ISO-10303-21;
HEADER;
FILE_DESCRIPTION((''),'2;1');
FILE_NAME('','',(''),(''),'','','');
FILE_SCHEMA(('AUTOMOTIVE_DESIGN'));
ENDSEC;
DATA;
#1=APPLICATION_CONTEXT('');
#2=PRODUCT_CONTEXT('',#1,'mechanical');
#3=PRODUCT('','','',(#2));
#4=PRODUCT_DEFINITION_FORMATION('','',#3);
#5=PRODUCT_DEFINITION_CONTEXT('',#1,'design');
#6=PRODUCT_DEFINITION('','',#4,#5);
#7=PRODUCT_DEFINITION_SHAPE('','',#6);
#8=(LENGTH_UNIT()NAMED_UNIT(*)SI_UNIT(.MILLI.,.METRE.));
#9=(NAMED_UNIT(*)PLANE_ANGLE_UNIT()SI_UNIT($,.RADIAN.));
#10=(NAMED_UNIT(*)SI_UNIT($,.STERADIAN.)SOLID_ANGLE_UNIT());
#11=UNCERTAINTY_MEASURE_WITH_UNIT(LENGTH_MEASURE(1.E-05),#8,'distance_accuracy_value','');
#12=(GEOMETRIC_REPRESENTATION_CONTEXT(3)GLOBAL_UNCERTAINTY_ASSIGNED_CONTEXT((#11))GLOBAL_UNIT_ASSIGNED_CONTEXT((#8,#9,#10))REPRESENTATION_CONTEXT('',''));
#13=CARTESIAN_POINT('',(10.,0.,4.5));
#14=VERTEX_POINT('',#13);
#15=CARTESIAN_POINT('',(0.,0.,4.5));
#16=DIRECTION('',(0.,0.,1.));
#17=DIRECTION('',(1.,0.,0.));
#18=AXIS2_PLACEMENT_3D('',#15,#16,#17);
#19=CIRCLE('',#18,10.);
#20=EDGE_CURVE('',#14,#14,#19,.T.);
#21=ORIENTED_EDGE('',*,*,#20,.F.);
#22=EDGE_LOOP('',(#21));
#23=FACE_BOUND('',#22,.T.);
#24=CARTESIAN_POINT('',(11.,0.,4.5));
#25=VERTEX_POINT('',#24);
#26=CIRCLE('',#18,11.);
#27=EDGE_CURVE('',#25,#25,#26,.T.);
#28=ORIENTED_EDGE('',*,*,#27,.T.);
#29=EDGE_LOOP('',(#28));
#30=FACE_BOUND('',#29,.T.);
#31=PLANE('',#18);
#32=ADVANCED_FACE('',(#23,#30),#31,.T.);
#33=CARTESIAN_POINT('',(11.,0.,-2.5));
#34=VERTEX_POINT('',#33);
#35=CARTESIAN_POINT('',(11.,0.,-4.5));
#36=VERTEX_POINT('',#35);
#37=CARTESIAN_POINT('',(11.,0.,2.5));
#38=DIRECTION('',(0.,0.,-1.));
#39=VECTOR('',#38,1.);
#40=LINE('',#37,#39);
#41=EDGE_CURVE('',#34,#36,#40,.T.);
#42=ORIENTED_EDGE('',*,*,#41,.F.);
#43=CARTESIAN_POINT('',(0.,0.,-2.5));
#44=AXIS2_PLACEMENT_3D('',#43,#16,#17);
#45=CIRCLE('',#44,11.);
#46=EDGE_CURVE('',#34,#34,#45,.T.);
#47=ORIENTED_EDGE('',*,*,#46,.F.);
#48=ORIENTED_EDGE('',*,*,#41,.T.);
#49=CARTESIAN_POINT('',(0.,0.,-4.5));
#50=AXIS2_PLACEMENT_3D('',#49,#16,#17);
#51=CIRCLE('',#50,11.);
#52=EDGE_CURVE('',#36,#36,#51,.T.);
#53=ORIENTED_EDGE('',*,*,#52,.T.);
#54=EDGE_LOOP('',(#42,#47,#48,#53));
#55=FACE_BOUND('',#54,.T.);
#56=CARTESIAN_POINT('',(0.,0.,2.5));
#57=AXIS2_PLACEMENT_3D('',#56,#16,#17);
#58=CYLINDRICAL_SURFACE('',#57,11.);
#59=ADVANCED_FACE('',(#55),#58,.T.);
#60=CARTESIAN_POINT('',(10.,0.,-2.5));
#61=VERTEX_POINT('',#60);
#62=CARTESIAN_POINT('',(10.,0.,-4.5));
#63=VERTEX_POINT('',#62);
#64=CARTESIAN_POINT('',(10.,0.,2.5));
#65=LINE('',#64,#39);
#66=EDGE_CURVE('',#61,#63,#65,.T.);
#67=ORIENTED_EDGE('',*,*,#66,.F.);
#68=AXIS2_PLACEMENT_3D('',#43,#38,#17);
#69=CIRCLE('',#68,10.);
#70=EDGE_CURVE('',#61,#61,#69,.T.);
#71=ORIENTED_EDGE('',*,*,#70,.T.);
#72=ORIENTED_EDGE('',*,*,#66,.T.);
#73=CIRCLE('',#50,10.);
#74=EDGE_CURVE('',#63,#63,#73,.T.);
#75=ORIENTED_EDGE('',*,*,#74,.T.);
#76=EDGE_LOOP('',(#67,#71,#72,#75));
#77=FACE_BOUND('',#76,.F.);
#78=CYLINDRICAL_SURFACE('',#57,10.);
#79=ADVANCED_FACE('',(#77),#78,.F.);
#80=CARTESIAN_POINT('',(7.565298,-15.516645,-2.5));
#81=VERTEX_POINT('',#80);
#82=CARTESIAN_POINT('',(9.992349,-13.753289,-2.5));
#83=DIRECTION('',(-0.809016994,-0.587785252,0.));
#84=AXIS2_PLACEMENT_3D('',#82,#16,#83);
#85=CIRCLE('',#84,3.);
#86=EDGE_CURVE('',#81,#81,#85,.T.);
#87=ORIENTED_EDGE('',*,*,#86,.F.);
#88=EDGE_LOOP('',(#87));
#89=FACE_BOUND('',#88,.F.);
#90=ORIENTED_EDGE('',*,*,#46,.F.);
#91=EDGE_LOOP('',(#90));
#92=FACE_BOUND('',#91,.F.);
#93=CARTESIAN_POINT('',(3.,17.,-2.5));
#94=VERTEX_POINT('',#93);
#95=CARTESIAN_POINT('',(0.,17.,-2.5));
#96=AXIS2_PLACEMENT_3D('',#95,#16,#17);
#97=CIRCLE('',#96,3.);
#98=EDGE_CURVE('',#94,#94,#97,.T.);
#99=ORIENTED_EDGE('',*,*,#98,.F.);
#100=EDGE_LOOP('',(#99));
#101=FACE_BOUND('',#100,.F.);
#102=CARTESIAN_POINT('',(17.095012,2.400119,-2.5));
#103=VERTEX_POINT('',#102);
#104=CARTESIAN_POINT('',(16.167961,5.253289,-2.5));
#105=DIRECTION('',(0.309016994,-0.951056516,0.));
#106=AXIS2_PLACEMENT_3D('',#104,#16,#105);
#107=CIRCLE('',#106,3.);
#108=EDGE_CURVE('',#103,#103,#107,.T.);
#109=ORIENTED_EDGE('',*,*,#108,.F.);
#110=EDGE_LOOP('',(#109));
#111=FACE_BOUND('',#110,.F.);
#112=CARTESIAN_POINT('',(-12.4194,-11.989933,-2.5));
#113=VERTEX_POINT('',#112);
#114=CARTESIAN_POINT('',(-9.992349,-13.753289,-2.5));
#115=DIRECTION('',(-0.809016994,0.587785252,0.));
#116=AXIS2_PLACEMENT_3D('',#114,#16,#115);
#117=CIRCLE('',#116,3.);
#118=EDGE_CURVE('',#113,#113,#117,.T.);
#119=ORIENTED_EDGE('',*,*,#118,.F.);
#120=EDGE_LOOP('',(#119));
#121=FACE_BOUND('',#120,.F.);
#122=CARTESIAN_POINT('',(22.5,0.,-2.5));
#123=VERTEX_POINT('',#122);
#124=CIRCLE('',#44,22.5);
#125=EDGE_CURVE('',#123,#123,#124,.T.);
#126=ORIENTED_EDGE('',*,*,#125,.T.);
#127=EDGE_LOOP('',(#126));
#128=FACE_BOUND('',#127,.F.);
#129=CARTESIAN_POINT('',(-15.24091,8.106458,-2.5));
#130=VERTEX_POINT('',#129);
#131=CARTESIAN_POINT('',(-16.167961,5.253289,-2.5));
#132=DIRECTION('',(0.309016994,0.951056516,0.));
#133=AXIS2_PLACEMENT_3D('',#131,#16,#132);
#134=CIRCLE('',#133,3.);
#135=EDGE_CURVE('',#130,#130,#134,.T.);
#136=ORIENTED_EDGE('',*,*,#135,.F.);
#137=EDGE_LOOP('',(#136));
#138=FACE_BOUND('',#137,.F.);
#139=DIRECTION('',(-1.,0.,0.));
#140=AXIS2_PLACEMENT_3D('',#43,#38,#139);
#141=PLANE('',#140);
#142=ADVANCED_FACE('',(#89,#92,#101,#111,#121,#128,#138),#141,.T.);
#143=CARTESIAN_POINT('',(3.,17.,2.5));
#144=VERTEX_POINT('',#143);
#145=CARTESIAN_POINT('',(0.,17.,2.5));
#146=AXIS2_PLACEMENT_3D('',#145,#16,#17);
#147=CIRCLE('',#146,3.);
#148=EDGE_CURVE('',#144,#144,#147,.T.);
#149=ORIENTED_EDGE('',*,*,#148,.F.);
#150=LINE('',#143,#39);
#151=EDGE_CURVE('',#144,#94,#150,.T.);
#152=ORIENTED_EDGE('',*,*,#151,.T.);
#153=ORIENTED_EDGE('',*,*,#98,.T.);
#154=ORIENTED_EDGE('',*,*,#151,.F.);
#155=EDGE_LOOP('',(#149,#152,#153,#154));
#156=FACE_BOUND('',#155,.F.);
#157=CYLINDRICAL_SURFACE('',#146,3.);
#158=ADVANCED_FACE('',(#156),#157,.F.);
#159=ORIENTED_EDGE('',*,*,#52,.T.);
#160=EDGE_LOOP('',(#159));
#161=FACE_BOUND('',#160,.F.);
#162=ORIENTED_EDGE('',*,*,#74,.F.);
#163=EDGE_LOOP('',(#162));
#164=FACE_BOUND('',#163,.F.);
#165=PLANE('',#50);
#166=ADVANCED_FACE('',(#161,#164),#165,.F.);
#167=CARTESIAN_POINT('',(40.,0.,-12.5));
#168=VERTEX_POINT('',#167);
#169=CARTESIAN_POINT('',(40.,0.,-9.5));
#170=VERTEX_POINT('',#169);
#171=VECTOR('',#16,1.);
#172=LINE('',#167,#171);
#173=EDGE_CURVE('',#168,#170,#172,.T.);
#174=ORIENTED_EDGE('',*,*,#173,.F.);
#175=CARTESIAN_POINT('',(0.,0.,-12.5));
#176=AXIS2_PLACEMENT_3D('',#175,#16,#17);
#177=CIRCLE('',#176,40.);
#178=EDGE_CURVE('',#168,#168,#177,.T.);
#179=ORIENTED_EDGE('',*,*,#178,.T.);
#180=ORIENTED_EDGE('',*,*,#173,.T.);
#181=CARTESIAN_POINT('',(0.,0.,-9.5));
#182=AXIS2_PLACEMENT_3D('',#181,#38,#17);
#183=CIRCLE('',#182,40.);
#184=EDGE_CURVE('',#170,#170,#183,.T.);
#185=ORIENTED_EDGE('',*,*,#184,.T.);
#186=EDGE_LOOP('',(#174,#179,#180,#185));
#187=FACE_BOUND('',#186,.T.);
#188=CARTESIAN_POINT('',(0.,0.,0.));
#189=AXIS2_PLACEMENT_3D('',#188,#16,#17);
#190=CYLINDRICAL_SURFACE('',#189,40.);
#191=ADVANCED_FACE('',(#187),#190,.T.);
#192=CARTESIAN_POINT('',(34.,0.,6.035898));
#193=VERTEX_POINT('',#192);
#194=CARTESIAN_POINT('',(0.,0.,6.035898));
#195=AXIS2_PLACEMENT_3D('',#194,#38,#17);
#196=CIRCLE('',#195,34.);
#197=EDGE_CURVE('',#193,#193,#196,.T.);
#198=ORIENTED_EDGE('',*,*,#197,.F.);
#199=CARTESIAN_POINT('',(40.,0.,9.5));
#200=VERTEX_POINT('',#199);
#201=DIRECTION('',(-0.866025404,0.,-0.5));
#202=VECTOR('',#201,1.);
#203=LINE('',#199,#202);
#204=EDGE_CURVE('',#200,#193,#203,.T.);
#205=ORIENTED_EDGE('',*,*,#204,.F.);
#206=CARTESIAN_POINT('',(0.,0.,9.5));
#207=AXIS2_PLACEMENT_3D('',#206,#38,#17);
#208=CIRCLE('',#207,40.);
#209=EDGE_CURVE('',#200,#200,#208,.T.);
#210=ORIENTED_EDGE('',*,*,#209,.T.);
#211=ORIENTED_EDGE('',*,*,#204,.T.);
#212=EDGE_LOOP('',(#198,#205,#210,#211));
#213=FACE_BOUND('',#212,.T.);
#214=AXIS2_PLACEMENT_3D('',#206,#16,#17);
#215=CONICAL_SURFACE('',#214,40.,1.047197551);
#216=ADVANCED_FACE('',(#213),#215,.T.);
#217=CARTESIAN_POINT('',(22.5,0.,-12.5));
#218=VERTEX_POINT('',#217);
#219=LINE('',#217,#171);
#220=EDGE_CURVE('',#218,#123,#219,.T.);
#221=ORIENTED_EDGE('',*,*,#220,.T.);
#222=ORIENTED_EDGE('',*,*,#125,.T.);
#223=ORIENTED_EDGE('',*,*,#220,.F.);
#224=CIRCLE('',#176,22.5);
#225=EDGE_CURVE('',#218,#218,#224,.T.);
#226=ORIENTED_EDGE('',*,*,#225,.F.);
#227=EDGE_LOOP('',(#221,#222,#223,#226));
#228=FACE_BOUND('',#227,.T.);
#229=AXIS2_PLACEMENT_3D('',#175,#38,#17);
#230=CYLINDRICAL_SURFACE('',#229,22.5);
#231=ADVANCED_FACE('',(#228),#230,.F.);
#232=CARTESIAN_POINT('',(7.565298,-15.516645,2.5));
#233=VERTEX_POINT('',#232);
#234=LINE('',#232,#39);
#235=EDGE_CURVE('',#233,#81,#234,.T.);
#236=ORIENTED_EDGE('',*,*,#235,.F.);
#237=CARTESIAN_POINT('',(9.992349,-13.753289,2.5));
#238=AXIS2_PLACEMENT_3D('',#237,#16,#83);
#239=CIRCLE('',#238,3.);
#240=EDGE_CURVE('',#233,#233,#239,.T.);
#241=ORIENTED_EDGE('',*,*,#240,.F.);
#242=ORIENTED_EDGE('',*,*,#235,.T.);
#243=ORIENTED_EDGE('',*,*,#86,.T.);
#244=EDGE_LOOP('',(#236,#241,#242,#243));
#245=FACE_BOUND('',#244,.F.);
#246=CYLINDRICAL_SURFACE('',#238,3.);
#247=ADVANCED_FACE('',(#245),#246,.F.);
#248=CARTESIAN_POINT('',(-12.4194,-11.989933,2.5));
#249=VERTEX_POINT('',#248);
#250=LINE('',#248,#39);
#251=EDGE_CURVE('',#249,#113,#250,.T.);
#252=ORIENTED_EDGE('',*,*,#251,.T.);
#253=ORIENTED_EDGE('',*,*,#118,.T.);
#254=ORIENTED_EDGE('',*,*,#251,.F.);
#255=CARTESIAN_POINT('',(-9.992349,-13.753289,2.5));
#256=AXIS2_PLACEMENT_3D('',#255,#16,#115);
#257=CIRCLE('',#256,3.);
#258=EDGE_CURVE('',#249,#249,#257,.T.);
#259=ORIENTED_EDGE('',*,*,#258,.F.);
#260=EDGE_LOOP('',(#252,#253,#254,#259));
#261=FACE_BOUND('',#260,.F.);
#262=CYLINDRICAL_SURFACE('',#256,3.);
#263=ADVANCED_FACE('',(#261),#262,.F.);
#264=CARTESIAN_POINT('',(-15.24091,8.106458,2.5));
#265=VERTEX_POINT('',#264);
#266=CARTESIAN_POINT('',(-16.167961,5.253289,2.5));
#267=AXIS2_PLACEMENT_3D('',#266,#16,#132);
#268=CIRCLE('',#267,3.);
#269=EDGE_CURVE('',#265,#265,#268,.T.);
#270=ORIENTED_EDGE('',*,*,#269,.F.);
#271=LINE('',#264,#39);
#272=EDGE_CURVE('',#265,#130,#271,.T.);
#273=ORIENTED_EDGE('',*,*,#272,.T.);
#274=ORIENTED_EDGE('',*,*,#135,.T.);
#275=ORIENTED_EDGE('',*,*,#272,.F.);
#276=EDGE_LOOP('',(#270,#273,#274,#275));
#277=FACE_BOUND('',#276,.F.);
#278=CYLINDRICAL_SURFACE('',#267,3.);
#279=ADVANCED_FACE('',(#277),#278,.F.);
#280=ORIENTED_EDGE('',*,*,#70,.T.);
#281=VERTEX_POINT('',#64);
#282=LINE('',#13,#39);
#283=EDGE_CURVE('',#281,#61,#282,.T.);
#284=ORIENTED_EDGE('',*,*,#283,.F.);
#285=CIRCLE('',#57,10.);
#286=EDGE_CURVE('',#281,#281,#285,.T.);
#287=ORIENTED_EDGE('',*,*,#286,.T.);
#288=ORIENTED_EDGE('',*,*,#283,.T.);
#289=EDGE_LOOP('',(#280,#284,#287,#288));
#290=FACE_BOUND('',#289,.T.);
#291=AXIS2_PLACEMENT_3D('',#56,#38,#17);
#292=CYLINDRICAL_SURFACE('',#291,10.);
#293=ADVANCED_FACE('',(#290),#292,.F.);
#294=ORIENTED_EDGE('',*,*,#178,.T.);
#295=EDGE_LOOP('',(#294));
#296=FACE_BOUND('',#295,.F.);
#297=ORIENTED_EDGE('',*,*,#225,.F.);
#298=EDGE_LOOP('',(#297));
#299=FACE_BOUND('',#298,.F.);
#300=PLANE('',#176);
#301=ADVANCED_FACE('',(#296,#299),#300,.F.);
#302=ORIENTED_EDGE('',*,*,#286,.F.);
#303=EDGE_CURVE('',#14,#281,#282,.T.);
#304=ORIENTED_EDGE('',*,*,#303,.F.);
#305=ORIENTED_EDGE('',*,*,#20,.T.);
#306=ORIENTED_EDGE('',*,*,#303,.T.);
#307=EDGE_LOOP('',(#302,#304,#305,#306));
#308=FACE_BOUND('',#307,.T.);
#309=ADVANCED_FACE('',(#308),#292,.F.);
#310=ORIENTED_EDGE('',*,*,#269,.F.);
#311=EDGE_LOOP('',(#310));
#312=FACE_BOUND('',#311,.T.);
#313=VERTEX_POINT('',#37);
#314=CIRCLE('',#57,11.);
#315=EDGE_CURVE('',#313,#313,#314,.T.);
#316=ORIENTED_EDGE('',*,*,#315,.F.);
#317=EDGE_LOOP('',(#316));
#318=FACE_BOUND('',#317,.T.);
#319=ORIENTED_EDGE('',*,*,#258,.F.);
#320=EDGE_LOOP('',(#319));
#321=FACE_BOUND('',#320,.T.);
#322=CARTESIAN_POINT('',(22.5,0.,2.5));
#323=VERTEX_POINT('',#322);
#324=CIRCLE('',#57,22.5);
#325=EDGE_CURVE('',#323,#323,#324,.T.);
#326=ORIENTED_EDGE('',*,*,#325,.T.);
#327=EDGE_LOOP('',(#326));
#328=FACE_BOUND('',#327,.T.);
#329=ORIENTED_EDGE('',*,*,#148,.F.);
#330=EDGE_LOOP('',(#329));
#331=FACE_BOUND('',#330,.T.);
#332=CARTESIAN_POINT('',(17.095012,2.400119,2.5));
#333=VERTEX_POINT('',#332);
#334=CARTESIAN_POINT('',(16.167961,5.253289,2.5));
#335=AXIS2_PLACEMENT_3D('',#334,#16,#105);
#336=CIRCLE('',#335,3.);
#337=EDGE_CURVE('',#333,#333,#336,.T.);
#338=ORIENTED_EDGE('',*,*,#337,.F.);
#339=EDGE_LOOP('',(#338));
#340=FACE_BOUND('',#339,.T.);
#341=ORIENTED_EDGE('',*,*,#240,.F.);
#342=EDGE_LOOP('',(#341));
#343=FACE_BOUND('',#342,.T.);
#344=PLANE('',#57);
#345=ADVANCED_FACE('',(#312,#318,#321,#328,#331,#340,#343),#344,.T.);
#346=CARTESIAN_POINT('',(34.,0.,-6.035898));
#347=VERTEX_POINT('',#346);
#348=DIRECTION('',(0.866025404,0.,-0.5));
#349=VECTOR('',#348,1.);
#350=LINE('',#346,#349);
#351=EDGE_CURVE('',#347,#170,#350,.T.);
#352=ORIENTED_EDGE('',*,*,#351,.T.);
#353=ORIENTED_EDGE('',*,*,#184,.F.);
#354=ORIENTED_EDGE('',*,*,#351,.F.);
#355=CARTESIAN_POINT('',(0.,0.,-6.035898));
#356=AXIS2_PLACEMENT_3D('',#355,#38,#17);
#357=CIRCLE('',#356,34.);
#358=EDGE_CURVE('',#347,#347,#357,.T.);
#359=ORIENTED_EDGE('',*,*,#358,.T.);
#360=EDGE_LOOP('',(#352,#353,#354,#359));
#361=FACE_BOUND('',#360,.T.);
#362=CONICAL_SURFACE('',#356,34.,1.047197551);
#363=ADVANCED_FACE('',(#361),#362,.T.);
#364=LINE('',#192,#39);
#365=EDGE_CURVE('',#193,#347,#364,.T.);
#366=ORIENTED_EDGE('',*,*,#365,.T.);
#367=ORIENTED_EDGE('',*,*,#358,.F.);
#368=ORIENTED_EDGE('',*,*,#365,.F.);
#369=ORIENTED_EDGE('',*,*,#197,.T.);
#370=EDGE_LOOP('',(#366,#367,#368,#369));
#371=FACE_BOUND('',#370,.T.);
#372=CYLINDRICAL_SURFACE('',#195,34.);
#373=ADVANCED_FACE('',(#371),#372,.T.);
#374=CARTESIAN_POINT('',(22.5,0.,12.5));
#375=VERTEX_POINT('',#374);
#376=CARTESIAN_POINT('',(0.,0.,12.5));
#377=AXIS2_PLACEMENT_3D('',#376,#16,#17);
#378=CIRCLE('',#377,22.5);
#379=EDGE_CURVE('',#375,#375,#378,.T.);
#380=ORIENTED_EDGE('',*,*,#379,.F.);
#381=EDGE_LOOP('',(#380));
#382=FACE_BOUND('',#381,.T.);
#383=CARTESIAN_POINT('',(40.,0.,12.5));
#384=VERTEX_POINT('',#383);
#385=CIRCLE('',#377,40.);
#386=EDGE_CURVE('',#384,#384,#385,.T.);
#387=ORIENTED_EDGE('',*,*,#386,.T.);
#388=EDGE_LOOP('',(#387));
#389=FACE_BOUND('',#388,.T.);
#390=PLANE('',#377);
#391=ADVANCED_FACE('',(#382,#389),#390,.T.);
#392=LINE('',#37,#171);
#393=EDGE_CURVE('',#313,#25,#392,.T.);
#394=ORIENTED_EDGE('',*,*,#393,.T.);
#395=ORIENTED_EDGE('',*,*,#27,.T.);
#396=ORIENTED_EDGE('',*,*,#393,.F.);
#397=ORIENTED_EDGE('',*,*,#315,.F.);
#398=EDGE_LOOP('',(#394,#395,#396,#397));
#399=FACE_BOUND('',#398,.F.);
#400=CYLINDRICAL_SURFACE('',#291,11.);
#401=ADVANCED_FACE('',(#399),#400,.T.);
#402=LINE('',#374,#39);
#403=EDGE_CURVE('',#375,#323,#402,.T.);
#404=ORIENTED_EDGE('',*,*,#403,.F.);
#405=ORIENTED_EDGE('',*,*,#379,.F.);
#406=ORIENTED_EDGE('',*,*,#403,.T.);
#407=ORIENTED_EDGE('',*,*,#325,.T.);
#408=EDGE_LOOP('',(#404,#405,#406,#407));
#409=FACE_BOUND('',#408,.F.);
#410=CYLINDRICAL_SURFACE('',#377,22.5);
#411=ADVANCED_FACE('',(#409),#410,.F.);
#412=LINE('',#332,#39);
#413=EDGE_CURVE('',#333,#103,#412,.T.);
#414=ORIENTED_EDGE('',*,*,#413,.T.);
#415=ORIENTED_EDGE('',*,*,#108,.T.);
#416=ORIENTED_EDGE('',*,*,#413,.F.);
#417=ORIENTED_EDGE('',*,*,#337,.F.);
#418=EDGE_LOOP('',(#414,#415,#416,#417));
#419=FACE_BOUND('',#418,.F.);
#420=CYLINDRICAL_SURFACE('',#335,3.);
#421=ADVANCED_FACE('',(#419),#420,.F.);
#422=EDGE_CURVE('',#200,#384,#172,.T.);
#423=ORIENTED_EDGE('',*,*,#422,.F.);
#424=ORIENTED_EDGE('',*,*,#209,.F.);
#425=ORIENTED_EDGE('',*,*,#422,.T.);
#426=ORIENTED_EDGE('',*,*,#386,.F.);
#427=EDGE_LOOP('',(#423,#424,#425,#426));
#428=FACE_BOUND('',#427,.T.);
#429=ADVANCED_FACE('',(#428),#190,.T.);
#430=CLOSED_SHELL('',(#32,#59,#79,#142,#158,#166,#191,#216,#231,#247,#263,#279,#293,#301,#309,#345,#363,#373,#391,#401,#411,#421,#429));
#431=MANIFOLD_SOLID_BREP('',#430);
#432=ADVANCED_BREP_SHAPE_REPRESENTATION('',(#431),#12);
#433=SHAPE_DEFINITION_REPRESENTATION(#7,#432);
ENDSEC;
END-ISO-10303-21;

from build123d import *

# Parameters (mm, degrees)
SKETCH1_R                = 40
SKETCH1_R_2              = 10
BOSS_EXTRUDE1_DEPTH      = 12.5
SKETCH2_R                = 22.5
CUT_EXTRUDE1_DEPTH       = 10
SKETCH3_R                = 3
CUT_EXTRUDE2_DEPTH       = 16
CIRPATTERN1_COUNT        = 5
SKETCH5_R                = 11
SKETCH5_R_2              = 10
BOSS_EXTRUDE2_DEPTH      = 2
BOSS_EXTRUDE2_DEPTH_BACK = 7


with BuildPart() as part:
    # Sketch1 → Boss-Extrude1 (new body, symmetric)
    with BuildSketch(Plane.XY):
        Circle(SKETCH1_R)
        Circle(SKETCH1_R_2, mode=Mode.SUBTRACT)
    extrude(amount=BOSS_EXTRUDE1_DEPTH, both=True)

    # Sketch2 → Cut-Extrude1 (cut)
    with BuildSketch(Plane.XY.offset(12.5)):
        Circle(SKETCH2_R)
    cut_extrude1 = extrude(amount=-CUT_EXTRUDE1_DEPTH, mode=Mode.SUBTRACT)

    # Mirror1: Cut-Extrude1 across plane
    add(cut_extrude1.mirror(Plane.XY), mode=Mode.SUBTRACT)

    # Sketch3 → Cut-Extrude2 (cut, through all)
    with BuildSketch(Plane.XY.offset(2.5)):
        with Locations((0, 17)):
            Circle(SKETCH3_R)
    cut_extrude2 = extrude(amount=-CUT_EXTRUDE2_DEPTH, mode=Mode.SUBTRACT)

    # CirPattern1: Cut-Extrude2 ×5 about axis
    cirpattern1_axis = Axis((0, 0, 0), (0, 0, 1))
    for i in range(1, CIRPATTERN1_COUNT):
        add(cut_extrude2.rotate(cirpattern1_axis, i * 360 / CIRPATTERN1_COUNT), mode=Mode.SUBTRACT)

    # Sketch4 → Cut-Revolve1 (revolve, cut)
    with BuildSketch(Plane(origin=(0, 0, 0), x_dir=(1, 0, 0), z_dir=(0, 1, 0))):
        Polygon((40, 9.5), (40, -9.5), (34, -6.035898385), (34, 6.035898385), align=None)
    revolve(axis=Axis((0, 0, 0), (0, 0, -1)), mode=Mode.SUBTRACT)

    # Sketch5 → Boss-Extrude2 (add, two sides)
    with BuildSketch(Plane.XY.offset(2.5)) as boss_extrude2_sk:
        Circle(SKETCH5_R)
        Circle(SKETCH5_R_2, mode=Mode.SUBTRACT)
    extrude(amount=BOSS_EXTRUDE2_DEPTH)
    extrude(boss_extrude2_sk.sketch, amount=-BOSS_EXTRUDE2_DEPTH_BACK)


solid = part.part
